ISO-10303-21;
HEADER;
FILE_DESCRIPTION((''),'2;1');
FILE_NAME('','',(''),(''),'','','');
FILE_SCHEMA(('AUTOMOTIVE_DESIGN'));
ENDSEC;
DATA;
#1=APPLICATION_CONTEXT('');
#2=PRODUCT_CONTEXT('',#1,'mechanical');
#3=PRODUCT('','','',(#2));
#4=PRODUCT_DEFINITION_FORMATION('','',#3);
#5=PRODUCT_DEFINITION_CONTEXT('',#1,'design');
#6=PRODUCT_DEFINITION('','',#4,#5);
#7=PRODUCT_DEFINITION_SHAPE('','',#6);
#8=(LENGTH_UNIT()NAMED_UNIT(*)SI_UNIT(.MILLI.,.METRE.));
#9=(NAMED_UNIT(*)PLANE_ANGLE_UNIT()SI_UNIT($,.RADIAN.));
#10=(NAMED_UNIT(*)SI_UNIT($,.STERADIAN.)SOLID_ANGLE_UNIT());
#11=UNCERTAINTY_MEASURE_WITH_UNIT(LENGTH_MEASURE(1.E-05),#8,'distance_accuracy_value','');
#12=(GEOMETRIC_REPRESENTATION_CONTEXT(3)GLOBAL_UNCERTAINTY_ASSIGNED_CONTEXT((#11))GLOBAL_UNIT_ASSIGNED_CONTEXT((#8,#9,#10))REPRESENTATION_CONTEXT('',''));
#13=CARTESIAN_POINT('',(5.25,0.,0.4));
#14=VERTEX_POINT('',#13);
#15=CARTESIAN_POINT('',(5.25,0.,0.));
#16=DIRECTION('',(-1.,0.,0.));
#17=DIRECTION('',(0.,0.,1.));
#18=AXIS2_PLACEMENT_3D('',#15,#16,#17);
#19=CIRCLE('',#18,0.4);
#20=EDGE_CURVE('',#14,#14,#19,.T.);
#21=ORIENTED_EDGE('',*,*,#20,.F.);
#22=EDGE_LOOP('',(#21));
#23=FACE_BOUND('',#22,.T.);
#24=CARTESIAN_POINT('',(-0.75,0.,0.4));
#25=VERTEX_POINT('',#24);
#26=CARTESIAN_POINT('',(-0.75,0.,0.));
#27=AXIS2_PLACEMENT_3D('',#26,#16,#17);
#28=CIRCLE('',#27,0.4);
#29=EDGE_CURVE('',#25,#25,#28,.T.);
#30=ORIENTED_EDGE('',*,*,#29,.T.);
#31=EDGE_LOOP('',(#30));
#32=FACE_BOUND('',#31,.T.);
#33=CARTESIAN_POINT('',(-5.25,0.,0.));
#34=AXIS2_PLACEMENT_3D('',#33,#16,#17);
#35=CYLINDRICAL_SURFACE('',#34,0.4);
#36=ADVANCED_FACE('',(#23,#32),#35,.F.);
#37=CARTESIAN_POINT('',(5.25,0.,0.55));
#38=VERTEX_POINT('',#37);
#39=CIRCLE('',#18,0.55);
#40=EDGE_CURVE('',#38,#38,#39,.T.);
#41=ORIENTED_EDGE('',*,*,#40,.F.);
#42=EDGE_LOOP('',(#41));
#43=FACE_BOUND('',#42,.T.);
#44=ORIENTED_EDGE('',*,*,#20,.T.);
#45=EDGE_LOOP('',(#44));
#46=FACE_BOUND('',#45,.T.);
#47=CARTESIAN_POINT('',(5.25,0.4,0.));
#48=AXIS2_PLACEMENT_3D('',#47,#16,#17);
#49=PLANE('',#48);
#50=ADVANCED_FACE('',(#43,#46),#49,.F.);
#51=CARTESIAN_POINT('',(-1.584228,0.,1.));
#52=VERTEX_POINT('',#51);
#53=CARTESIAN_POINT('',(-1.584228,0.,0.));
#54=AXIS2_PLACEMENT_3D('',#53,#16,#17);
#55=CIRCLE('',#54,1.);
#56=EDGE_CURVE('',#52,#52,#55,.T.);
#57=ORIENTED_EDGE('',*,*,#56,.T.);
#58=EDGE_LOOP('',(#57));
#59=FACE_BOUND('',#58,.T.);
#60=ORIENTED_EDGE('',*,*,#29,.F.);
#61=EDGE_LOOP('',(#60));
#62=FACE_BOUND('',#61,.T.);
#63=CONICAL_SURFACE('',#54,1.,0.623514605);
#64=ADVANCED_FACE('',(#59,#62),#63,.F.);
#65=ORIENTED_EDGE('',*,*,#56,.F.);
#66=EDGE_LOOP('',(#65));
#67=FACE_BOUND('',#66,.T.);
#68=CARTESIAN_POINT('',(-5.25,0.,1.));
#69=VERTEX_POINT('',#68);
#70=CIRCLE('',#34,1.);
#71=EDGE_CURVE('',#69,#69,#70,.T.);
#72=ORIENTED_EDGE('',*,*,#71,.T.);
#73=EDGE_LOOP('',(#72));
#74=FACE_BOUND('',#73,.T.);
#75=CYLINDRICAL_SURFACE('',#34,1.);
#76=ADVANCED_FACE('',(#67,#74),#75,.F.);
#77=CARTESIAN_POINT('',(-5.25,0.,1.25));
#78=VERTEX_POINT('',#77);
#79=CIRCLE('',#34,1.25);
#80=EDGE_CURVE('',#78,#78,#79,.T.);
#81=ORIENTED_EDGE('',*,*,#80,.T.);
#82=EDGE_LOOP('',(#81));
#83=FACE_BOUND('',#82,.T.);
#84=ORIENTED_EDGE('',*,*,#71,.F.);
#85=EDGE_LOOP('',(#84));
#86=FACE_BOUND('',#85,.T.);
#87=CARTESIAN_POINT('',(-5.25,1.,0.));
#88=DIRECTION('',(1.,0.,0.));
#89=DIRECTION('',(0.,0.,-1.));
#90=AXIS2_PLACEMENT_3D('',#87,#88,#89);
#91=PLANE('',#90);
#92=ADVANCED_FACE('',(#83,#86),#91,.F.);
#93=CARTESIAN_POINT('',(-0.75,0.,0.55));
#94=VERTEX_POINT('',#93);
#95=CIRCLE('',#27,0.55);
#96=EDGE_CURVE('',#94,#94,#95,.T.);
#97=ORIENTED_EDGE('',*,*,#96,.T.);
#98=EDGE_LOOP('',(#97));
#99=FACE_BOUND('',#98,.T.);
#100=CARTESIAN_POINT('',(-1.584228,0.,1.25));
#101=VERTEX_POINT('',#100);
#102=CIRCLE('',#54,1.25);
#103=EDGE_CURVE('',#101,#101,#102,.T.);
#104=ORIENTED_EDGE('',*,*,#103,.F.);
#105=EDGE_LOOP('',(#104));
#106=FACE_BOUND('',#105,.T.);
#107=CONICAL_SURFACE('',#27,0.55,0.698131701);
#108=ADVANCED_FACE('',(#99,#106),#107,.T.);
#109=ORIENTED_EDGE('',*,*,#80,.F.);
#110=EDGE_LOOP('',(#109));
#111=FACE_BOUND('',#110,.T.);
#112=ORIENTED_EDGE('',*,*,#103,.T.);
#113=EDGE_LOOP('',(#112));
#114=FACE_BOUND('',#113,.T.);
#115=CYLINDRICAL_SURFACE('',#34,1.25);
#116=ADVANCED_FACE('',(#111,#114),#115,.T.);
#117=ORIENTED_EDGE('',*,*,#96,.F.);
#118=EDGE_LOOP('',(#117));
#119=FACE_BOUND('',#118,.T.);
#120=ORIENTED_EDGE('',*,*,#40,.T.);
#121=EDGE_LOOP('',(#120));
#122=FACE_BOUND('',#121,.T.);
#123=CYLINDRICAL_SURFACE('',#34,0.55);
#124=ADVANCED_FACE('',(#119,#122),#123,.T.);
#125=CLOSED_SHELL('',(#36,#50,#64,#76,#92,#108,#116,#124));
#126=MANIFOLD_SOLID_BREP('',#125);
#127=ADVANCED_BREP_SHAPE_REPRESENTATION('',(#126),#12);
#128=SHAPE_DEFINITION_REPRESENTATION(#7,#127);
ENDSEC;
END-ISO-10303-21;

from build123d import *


with BuildPart() as part:
    # Croquis1 → Revolución1 (revolve)
    with BuildSketch(Plane.XY):
        Polygon((5.25, 0.4), (-0.75, 0.4), (-1.584227515, 1), (-5.25, 1), (-5.25, 1.25), (-1.584227515, 1.25), (-0.75, 0.55), (5.25, 0.55), align=None)
    revolve(axis=Axis((-5.25, 0, 0), (1, 0, 0)))


solid = part.part
